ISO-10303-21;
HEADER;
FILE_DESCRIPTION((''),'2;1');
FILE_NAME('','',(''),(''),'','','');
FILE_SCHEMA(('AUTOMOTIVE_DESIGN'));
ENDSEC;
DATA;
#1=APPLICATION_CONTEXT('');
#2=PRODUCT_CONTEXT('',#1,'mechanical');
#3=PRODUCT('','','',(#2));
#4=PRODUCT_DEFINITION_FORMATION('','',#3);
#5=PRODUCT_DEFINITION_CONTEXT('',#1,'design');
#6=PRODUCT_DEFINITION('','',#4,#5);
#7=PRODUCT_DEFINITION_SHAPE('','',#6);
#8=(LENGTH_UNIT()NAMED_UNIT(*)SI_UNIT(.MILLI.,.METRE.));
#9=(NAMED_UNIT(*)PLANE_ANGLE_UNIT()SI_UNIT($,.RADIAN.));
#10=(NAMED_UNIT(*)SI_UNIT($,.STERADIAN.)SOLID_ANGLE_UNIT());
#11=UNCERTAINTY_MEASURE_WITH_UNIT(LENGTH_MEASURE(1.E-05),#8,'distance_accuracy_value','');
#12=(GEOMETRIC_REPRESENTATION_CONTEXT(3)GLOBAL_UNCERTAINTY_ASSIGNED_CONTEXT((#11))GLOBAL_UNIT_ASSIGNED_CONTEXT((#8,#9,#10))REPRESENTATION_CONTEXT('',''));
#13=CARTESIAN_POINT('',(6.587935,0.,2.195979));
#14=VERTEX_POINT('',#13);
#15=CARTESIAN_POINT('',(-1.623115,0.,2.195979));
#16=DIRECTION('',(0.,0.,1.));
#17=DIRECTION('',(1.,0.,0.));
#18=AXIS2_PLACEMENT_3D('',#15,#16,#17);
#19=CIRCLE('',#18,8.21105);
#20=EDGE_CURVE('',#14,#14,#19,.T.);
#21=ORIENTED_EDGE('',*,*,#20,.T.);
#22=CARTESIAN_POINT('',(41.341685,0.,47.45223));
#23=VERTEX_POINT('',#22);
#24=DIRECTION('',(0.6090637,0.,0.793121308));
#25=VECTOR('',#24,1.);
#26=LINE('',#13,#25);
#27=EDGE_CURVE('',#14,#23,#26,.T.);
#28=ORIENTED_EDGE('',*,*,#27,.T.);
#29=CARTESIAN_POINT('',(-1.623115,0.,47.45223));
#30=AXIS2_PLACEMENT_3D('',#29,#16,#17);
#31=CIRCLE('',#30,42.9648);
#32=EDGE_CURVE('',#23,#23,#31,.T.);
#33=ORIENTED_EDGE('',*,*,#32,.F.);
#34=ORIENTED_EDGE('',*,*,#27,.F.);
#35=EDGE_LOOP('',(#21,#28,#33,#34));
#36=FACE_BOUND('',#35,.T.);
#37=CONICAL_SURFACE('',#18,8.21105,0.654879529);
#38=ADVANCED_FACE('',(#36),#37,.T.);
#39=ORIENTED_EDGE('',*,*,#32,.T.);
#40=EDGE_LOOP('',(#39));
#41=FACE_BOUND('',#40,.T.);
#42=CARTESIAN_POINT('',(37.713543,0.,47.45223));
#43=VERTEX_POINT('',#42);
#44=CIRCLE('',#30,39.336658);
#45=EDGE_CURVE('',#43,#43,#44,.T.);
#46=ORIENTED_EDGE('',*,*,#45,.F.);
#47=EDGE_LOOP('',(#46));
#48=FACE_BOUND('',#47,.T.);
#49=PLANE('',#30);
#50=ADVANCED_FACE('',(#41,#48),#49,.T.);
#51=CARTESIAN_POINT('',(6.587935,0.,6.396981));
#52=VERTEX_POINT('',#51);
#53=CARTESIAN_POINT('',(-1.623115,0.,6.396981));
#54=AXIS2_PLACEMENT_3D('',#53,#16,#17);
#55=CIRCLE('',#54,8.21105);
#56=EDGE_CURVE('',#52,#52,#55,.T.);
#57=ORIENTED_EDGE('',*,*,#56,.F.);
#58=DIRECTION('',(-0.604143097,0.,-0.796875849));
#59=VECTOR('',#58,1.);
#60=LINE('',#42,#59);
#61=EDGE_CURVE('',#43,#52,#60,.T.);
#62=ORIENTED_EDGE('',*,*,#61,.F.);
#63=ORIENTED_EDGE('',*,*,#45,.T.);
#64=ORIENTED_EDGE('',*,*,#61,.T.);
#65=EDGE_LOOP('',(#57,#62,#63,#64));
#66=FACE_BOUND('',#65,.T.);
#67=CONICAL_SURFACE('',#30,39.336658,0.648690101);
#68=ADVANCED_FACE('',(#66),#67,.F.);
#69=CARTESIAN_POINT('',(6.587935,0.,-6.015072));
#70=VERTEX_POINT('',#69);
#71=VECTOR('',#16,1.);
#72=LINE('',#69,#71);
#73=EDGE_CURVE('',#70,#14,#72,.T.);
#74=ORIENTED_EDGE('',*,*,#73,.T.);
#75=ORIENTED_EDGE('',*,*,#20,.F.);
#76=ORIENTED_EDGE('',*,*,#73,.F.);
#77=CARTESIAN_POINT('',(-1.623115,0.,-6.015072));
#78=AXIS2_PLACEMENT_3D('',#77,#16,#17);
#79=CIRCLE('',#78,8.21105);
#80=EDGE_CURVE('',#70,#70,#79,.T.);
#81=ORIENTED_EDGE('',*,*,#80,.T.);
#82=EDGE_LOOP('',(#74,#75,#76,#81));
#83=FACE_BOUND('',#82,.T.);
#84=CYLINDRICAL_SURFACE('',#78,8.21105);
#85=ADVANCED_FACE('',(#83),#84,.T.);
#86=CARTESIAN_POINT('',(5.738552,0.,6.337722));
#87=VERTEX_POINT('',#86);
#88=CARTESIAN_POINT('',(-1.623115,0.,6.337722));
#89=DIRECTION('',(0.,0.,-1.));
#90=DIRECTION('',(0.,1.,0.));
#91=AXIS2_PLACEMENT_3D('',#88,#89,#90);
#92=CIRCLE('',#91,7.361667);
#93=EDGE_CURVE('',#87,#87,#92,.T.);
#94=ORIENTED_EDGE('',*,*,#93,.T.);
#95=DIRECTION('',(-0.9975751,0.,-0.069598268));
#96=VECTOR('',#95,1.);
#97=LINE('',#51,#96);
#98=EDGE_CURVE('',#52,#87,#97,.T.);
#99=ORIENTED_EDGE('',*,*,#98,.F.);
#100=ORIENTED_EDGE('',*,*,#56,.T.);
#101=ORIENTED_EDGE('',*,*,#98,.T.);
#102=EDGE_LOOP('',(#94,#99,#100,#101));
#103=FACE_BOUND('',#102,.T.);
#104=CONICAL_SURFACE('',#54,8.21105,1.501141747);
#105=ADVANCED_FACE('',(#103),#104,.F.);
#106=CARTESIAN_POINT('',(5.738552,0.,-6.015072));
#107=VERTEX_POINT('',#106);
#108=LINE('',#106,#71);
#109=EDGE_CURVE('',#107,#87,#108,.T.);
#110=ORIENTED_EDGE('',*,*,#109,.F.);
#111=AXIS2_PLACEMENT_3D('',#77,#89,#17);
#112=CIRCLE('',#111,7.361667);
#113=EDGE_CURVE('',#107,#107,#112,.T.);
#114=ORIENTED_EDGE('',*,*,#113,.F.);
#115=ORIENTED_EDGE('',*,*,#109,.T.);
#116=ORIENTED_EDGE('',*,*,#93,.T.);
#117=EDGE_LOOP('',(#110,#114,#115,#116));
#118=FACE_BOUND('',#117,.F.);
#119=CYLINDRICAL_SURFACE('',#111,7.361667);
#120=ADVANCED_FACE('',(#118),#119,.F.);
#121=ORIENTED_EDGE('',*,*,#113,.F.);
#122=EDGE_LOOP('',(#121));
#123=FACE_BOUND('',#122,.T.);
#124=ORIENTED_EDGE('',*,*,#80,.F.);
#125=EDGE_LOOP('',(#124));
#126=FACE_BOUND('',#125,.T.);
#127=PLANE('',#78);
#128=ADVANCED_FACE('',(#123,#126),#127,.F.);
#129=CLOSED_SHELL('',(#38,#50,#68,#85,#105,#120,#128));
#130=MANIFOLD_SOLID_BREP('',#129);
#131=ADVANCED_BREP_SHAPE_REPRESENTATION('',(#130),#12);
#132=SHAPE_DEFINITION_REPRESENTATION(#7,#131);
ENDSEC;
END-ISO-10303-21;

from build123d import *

# Parameters (mm, degrees)
F2_R     = 7.361667
F3_DEPTH = 25.4


with BuildPart() as f1:
    # F0 (on Front) → F1 (revolve)
    with BuildSketch(Plane.XZ):
        Polygon((37.713543, 47.45223), (6.587935, 6.396981), (-1.623115, 5.824117), (-1.623115, -6.015072), (6.587935, -6.015072), (6.587935, 2.195979), (41.341685, 47.45223), align=None)
    revolve(axis=Axis((-1.623115, 0, -0.095477), (0, 0, 1)))

    # F2 (on face) → F3 (cut)
    with BuildSketch(Plane(origin=(0, 0, -6.015072), x_dir=(1, 0, 0), z_dir=(0, 0, -1))):
        with Locations((-1.623115, 0)):
            Circle(F2_R)
    extrude(amount=-F3_DEPTH, mode=Mode.SUBTRACT)


solid = f1.part
